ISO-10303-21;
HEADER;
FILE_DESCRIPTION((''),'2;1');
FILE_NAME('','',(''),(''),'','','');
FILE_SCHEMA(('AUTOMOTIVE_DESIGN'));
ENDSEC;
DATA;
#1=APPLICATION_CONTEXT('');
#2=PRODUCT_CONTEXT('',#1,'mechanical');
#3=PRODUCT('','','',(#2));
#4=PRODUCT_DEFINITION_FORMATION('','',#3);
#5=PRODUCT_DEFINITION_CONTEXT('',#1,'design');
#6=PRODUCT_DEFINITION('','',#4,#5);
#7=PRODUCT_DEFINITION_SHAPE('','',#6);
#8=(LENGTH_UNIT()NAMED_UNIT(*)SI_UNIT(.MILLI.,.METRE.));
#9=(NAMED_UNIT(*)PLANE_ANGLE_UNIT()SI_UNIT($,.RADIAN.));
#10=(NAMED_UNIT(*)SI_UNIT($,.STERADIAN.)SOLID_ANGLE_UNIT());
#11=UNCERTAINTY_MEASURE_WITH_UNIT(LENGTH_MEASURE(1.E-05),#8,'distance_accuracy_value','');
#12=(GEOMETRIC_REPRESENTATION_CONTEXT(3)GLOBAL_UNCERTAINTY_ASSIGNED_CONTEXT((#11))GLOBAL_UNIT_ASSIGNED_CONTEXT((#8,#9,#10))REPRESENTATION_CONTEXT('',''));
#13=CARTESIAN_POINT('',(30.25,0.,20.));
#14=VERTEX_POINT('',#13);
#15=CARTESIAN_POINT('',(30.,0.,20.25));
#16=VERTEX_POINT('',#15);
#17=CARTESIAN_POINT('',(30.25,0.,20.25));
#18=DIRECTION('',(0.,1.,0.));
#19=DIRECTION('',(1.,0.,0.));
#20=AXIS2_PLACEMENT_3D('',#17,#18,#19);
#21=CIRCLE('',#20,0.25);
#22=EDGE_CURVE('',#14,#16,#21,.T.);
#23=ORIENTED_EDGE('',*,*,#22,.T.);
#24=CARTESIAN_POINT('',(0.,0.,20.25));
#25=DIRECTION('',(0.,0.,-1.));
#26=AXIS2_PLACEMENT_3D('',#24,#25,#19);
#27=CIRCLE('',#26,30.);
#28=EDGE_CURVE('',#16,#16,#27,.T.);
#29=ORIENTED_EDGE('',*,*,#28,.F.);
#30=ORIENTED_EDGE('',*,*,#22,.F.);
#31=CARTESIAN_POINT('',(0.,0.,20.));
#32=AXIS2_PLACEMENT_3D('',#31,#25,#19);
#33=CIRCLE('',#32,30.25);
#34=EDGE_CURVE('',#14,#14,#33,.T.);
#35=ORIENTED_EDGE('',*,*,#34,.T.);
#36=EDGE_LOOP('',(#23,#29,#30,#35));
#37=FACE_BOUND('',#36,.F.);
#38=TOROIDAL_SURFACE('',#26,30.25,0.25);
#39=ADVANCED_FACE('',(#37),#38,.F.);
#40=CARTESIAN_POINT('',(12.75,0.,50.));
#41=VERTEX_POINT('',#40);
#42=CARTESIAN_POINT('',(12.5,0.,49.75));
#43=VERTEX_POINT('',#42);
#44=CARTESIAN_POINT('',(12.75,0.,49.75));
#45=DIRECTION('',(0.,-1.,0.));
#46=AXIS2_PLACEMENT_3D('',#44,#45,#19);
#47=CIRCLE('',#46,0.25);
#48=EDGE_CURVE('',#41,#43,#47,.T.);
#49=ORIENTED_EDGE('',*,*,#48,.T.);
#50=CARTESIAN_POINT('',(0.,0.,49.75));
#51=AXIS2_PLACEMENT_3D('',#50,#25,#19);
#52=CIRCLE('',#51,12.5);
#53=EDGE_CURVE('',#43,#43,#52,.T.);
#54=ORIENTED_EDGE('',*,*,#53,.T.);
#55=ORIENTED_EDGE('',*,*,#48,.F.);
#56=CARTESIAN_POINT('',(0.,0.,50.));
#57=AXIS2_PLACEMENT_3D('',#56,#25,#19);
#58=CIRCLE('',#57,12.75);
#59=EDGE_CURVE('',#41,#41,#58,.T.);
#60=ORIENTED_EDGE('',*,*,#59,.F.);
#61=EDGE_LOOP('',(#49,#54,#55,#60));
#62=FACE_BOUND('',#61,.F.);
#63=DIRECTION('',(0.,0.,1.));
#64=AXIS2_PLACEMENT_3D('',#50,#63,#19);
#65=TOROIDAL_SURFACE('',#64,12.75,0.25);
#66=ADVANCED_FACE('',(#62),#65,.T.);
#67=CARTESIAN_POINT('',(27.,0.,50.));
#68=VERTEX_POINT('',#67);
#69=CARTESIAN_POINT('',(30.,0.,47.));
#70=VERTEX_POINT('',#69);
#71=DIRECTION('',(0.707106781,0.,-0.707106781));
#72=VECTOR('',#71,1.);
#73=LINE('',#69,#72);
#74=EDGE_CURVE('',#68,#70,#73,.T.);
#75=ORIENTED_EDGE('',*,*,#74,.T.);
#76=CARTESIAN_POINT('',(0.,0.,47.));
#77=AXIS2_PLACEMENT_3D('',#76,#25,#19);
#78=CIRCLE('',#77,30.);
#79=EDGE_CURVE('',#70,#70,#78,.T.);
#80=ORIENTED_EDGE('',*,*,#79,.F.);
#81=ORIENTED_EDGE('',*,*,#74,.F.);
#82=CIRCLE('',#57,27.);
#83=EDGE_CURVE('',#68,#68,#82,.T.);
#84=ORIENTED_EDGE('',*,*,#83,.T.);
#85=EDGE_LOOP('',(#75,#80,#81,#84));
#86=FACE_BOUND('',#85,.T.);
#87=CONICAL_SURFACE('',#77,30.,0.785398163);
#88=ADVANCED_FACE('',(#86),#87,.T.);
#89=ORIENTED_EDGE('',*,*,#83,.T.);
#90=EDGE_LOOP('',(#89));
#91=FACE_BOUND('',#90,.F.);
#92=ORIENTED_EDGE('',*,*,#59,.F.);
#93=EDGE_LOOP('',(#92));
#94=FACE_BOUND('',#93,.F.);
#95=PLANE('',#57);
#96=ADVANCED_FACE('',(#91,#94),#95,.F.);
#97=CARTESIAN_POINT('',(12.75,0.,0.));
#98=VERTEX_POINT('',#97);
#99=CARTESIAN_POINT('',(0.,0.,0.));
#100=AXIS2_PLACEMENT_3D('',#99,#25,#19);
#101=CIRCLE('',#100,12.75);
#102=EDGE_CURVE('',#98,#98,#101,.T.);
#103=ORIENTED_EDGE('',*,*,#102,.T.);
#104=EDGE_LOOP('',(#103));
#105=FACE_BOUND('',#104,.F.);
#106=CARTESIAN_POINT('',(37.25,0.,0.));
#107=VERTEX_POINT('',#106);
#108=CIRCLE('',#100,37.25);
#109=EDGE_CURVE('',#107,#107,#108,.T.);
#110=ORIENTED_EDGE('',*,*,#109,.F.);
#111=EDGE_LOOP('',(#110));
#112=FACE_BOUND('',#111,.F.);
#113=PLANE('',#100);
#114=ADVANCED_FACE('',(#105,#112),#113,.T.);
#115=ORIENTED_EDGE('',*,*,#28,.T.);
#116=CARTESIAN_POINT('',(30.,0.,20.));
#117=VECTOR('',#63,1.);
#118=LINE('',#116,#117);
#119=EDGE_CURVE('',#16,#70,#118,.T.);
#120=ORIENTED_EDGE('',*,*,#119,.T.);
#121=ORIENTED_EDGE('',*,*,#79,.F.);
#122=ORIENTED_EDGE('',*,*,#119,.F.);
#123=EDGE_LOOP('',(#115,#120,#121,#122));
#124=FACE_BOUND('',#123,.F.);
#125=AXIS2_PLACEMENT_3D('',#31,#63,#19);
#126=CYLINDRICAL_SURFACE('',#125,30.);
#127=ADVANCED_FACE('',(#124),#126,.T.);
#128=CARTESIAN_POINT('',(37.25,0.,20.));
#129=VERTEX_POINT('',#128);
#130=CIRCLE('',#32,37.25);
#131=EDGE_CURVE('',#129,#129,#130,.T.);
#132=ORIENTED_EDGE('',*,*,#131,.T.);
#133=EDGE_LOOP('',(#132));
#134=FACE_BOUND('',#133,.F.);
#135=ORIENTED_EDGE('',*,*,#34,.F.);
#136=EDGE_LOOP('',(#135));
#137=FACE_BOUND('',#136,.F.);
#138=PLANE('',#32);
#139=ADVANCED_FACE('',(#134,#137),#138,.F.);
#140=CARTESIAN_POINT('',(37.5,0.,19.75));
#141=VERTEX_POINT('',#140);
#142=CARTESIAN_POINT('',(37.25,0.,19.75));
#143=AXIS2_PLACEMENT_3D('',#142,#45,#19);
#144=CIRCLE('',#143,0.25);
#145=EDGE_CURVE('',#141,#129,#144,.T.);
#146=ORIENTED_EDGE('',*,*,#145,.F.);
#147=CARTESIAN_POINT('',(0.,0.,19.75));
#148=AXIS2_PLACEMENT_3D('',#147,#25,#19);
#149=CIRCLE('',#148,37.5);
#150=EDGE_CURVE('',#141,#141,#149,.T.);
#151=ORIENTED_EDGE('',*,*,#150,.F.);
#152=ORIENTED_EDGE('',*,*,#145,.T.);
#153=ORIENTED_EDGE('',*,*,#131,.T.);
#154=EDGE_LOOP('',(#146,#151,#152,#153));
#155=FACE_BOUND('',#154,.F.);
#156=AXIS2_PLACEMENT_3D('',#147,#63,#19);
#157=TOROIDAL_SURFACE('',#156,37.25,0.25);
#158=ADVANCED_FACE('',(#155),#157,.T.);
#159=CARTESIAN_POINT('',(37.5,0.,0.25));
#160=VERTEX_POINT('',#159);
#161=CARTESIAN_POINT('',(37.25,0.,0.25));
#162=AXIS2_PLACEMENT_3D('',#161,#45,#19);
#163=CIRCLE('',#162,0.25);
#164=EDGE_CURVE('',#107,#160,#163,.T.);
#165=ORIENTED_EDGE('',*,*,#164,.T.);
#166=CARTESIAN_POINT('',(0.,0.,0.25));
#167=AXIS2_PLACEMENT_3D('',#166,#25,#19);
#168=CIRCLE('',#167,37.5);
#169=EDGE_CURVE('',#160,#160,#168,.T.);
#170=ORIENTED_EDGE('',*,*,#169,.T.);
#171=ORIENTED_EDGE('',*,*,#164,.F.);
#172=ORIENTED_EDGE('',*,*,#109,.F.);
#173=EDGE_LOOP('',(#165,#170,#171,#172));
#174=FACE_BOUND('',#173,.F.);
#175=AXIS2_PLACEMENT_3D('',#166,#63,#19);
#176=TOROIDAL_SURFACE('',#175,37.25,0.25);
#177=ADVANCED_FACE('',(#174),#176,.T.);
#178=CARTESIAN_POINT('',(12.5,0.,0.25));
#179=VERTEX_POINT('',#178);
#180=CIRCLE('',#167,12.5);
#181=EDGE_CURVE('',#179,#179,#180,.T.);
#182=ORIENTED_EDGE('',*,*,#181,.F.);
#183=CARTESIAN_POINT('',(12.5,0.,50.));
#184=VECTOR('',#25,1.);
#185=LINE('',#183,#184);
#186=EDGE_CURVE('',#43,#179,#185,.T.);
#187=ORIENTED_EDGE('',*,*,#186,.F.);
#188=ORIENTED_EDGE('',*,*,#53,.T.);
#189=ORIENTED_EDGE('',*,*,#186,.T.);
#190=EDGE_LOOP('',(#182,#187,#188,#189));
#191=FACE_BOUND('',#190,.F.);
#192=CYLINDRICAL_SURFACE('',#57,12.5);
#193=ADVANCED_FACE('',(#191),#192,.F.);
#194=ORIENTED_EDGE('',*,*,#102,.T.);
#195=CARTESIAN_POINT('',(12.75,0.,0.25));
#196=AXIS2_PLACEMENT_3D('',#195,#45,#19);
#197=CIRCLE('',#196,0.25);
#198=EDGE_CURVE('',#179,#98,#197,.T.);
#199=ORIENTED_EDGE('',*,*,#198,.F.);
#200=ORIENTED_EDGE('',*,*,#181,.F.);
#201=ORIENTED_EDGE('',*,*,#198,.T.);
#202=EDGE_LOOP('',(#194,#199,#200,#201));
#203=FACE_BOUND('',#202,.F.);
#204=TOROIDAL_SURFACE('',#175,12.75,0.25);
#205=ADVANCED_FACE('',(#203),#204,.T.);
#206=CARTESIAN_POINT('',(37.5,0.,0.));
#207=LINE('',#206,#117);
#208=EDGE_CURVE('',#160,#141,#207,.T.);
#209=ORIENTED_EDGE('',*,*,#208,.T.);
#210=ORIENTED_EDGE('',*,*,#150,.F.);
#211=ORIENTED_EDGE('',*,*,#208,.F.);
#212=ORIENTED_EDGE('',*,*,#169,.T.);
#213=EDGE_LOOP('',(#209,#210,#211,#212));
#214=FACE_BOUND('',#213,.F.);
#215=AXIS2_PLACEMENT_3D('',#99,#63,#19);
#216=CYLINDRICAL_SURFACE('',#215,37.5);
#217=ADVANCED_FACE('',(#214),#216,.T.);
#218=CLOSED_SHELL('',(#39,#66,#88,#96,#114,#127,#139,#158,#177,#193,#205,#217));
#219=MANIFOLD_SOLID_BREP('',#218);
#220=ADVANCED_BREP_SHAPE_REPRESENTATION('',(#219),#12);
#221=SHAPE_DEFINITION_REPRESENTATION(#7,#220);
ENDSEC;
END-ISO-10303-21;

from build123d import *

# Parameters (mm, degrees)
F2_R    = 0.25
F3_SIZE = 3


with BuildPart() as f1:
    # F0 (on Front) → F1 (revolve)
    with BuildSketch(Plane.XZ):
        Polygon((30, 50), (12.5, 50), (12.5, 0), (37.5, 0), (37.5, 20), (30, 20), align=None)
    revolve(axis=Axis((0, 0, 16.379672), (0, 0, -1)))

    # F2
    f2_edges = [f1.edges().sort_by_distance(p)[0] for p in [
        (-12.5, 0, 50),
        (-12.5, 0, 0),
        (12.5, 0, 25),
        (-37.5, 0, 20),
        (-30, 0, 20),
        (-37.5, 0, 0),
    ]]
    fillet(f2_edges, radius=F2_R)

    # F3
    f3_edges = [f1.edges().sort_by_distance(p)[0] for p in [
        (-30, 0, 50),
    ]]
    chamfer(f3_edges, length=F3_SIZE)


solid = f1.part
